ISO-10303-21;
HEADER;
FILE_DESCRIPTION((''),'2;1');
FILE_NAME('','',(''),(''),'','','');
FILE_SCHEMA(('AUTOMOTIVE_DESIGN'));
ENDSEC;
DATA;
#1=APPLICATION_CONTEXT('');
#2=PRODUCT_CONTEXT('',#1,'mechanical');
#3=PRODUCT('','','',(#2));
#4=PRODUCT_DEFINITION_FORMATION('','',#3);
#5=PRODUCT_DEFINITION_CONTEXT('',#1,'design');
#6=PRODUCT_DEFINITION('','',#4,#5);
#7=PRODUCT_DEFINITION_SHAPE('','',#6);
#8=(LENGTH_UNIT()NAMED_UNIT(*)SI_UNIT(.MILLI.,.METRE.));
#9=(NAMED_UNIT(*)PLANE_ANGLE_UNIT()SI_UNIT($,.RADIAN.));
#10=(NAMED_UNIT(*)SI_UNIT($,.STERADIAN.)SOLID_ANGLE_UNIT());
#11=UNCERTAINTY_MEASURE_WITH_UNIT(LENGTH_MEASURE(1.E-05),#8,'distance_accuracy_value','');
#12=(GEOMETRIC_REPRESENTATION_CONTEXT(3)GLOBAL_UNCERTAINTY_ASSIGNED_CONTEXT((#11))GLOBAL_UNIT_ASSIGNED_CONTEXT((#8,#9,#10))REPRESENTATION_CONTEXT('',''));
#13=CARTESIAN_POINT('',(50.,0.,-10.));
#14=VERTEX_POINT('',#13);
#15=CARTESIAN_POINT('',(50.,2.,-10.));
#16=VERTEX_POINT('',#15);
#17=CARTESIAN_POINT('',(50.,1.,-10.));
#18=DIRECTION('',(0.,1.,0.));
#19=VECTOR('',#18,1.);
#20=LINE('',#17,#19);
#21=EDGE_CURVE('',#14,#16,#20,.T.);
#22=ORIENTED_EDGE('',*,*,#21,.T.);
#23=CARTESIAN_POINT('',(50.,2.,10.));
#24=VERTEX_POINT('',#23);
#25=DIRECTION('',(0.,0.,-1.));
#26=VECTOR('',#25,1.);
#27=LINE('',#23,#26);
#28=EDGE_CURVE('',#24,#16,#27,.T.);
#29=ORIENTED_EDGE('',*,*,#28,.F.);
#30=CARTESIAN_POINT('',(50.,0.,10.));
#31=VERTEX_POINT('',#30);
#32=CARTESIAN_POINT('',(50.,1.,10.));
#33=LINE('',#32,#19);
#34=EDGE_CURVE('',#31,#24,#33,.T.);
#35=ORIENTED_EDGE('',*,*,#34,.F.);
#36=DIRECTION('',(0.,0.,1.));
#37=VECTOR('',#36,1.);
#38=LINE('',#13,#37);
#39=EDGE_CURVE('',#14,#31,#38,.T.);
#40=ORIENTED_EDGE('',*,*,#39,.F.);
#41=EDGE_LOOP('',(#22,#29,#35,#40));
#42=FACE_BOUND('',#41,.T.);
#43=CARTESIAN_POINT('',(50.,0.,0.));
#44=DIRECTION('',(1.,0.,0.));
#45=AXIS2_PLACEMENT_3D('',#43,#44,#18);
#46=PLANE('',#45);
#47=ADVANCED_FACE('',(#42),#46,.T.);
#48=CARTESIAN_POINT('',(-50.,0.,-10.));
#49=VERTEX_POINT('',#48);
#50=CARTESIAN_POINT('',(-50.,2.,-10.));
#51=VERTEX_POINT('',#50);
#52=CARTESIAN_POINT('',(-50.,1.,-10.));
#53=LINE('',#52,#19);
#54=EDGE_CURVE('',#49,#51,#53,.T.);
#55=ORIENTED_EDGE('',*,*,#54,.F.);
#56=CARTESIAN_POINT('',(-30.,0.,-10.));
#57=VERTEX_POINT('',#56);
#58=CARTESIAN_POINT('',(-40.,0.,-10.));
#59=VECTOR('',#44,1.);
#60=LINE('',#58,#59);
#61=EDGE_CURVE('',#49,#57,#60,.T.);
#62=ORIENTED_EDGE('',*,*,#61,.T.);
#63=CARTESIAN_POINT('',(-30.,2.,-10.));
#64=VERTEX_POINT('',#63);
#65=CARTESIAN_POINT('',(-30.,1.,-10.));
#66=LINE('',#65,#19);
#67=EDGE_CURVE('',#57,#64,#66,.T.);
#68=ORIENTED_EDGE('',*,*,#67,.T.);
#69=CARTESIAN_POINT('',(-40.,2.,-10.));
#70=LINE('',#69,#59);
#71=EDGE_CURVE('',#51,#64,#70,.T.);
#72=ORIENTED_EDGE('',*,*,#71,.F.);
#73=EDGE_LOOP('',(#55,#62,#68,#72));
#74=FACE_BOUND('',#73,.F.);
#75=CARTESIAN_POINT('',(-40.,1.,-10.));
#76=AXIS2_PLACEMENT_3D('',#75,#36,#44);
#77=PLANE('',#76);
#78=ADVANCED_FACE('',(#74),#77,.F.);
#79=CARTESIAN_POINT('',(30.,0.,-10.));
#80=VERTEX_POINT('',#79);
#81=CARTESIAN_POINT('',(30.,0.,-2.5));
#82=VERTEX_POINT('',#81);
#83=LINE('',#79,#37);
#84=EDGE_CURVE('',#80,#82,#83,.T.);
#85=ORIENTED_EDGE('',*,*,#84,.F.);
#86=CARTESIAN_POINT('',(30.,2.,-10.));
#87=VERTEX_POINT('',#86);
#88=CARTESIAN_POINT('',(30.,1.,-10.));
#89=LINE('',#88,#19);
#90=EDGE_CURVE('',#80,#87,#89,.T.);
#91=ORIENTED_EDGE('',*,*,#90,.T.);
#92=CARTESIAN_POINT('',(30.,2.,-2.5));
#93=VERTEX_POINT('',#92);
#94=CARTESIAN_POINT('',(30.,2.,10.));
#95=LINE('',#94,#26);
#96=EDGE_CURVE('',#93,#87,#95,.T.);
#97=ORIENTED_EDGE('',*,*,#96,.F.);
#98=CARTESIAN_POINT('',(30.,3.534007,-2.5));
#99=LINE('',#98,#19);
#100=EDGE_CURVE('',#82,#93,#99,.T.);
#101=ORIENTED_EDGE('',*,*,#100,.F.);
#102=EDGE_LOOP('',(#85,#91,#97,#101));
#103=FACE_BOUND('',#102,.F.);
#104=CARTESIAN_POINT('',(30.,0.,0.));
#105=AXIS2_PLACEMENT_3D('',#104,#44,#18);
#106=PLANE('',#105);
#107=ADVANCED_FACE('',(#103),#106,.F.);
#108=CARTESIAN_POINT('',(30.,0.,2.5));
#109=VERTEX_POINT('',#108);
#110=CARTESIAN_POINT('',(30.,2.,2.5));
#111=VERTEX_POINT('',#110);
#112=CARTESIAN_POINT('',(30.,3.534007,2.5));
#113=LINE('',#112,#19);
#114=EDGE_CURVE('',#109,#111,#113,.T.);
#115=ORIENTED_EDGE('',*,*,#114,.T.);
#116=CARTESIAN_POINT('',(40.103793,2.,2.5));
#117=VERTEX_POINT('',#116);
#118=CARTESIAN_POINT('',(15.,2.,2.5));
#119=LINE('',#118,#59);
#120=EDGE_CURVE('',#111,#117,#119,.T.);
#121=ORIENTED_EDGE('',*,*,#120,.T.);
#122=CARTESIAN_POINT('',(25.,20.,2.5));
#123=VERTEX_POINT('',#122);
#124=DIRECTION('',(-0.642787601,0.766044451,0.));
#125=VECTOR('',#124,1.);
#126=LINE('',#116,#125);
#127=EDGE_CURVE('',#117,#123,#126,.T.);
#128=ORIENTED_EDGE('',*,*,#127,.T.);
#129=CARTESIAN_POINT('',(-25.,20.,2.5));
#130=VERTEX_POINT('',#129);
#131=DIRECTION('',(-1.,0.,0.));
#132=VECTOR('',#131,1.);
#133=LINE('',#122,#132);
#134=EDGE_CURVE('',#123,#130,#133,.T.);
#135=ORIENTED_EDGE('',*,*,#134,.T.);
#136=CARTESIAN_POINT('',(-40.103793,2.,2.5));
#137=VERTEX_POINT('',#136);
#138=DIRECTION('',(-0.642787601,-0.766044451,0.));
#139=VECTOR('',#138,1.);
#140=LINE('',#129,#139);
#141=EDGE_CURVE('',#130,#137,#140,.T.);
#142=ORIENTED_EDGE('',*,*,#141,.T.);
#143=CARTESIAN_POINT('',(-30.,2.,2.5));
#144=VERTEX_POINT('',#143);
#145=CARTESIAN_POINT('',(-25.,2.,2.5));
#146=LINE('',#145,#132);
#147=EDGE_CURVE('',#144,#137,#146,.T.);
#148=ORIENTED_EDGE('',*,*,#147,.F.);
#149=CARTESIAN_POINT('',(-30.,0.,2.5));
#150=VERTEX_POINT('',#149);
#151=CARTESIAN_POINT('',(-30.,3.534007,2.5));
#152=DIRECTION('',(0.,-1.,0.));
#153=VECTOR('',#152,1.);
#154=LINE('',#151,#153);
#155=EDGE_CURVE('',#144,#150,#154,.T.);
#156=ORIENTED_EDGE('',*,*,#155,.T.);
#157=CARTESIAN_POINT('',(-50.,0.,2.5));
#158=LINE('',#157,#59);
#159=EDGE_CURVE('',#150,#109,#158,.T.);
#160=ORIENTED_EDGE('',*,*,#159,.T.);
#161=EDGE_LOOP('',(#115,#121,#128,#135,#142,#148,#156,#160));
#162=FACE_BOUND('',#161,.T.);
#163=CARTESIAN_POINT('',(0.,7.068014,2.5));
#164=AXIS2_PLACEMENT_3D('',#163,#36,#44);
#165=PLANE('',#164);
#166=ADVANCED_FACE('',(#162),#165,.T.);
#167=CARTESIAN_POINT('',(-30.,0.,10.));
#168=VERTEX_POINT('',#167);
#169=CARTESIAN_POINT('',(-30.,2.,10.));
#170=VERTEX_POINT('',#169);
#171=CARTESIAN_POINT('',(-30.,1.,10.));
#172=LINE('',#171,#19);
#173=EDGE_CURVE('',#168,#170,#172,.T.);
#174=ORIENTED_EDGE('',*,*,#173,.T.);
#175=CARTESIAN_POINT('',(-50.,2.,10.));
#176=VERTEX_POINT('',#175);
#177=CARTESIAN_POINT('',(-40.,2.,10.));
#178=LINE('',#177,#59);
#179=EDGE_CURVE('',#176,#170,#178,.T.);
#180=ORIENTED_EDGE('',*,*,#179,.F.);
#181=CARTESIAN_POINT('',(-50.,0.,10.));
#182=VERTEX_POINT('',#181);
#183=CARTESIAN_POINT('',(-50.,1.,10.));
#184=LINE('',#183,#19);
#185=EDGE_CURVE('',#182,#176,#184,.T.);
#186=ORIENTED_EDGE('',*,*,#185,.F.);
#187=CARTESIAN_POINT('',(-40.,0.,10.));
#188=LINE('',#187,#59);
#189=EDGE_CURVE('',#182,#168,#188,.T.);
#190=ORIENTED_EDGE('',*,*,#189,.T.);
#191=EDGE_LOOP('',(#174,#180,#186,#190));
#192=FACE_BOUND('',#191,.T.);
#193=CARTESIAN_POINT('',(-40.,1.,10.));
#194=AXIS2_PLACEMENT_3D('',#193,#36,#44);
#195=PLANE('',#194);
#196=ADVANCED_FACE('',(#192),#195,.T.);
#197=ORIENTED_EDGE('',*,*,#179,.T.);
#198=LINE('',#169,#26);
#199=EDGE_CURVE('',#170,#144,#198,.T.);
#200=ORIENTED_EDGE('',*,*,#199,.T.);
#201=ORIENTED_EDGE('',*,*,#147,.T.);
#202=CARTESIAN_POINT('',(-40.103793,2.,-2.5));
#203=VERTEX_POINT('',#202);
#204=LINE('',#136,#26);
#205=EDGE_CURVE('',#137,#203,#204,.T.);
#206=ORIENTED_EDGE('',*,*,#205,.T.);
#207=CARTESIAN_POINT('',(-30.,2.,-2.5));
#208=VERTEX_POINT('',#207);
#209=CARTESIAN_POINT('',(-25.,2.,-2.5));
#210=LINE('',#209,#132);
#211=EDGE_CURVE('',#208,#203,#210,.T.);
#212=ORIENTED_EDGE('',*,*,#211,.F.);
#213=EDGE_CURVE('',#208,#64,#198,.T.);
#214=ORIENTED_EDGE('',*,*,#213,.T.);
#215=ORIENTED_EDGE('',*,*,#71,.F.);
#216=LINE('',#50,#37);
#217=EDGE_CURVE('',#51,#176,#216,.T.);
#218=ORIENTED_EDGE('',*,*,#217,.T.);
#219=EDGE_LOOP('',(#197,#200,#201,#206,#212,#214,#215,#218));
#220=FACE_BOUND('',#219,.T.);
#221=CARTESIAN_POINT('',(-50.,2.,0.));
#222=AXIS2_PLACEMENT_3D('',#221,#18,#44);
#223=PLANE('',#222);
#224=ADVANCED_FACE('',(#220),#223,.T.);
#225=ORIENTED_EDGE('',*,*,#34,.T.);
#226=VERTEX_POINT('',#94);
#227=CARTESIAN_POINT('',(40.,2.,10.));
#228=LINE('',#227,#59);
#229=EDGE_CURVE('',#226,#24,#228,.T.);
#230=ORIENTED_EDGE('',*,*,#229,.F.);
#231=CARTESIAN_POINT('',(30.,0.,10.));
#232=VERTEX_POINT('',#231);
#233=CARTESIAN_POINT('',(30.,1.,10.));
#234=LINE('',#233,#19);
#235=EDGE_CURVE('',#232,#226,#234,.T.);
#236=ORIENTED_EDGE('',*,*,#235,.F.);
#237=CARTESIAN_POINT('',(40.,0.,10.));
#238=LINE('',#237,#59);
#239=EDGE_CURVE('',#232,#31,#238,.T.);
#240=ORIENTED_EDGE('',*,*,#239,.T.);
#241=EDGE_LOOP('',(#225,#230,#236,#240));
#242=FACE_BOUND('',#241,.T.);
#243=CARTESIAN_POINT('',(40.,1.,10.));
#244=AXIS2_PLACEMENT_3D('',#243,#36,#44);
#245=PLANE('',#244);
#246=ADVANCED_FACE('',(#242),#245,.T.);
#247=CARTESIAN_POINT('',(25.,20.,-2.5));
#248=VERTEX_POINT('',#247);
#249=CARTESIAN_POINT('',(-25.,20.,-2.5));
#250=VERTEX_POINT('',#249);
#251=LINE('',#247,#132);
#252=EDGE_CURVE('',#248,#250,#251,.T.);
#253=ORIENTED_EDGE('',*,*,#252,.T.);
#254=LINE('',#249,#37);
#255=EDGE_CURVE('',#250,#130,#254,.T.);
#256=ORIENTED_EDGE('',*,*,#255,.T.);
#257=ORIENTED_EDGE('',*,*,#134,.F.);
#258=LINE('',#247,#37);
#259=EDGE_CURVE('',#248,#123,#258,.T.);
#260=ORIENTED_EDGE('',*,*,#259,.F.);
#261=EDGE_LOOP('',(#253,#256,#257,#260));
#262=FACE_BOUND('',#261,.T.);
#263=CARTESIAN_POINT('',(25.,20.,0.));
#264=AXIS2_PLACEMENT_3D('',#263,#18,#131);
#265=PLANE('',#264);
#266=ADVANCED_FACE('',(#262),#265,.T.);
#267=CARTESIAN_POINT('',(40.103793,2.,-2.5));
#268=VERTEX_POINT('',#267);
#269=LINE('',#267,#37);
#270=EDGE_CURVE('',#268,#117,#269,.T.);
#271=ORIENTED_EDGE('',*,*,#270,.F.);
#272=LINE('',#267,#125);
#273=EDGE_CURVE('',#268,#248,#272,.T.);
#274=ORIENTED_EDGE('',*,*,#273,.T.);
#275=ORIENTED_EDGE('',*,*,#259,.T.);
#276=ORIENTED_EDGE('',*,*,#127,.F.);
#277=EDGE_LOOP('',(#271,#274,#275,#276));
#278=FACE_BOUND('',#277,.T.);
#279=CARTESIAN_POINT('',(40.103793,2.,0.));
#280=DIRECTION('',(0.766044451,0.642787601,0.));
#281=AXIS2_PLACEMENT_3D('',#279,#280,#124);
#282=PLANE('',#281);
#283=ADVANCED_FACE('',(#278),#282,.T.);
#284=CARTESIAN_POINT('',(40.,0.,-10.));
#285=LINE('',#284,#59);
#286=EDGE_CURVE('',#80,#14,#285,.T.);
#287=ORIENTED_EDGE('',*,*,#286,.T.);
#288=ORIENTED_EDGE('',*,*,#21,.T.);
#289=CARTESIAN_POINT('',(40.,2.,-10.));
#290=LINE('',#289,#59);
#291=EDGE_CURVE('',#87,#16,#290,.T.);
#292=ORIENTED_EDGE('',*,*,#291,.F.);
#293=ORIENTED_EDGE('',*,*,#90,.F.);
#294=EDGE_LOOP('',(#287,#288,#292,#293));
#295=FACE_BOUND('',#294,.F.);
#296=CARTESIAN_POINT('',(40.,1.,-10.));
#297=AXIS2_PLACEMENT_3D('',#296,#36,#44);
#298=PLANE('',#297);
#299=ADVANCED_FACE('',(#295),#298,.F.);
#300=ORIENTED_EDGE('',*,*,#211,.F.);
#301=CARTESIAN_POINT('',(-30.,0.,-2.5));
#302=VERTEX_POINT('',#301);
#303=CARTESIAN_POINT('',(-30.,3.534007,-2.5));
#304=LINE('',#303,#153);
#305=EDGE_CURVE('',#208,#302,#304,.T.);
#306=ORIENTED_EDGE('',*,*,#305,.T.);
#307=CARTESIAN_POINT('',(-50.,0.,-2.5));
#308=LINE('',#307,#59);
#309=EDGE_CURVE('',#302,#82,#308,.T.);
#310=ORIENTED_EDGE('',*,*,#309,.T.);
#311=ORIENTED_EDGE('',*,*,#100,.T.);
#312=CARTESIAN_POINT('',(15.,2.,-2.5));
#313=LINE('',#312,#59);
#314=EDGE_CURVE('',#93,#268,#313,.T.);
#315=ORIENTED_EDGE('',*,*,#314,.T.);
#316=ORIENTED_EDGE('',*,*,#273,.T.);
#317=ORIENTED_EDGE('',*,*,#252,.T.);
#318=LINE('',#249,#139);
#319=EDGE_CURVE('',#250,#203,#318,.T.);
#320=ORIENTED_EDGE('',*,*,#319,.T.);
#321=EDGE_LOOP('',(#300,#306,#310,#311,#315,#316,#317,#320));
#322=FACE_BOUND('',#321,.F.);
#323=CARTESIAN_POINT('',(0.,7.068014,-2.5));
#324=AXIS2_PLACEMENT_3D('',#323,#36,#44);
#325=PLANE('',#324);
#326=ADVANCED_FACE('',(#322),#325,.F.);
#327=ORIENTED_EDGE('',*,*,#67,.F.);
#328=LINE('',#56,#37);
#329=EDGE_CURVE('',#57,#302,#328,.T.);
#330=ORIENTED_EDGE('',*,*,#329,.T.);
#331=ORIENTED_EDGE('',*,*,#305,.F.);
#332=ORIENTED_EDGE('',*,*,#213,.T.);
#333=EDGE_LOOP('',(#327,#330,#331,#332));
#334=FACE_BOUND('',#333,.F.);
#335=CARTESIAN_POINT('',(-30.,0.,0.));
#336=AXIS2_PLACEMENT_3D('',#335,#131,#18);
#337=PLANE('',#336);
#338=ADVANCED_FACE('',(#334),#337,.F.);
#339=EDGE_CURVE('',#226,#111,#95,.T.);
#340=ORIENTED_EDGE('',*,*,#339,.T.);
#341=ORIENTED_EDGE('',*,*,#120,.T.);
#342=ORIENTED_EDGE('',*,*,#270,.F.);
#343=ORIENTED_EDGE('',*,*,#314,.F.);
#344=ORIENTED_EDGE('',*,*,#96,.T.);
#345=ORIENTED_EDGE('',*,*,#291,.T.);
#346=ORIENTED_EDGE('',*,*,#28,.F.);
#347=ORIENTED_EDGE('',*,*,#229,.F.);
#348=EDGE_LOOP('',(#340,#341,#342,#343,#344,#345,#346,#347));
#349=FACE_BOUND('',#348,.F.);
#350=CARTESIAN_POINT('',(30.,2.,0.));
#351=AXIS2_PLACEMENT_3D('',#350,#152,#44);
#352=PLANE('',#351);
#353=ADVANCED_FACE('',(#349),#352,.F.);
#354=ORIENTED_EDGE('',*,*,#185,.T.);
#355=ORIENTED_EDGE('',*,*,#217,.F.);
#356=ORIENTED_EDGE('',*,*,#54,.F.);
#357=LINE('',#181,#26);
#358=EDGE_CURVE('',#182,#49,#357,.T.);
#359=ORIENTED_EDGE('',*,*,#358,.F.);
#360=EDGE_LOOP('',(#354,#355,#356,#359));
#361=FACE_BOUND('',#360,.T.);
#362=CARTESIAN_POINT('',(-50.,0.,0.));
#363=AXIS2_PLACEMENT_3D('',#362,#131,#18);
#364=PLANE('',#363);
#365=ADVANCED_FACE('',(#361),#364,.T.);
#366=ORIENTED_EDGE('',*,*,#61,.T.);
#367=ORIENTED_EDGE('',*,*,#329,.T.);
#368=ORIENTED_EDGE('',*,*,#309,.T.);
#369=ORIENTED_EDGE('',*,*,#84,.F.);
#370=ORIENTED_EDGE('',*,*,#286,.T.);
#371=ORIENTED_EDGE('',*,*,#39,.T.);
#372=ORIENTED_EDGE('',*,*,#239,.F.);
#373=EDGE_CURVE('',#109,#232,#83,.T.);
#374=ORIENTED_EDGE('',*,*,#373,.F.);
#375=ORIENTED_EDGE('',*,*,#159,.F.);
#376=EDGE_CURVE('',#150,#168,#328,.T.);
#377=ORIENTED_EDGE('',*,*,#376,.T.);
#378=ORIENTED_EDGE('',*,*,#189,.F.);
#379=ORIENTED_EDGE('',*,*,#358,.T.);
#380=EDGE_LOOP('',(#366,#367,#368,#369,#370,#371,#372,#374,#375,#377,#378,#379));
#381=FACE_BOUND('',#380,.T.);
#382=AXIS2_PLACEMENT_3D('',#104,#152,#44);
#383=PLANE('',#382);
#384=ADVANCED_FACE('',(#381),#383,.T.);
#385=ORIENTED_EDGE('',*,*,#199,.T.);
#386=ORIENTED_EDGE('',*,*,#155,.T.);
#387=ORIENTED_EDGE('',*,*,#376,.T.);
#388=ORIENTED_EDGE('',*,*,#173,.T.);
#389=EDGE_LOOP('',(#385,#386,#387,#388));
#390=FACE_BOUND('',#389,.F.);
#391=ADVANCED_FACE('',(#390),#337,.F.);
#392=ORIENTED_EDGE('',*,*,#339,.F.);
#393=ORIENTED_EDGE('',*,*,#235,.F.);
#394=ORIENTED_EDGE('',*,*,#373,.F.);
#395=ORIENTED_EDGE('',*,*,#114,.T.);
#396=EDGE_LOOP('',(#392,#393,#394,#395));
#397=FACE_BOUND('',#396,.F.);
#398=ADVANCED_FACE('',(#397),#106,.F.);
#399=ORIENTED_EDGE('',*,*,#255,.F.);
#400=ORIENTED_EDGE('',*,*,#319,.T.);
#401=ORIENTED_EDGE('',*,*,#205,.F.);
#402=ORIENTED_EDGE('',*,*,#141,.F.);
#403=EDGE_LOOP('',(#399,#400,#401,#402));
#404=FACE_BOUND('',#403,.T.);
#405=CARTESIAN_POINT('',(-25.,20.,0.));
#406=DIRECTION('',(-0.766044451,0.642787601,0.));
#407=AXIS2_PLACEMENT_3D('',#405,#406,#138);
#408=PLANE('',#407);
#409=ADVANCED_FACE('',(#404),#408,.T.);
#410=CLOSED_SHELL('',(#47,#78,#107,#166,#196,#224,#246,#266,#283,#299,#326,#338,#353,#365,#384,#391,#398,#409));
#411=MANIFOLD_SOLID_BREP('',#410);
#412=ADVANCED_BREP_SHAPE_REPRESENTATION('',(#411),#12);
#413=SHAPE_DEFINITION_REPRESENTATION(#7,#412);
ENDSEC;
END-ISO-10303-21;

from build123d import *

# Parameters (mm, degrees)
PAD_DEPTH    = 2.5
SKETCH001_W  = 20
SKETCH001_H  = 2
PAD001_DEPTH = 10


with BuildPart() as part:
    # Sketch → Pad (new body, symmetric)
    with BuildSketch(Plane.XY):
        Polygon((-50, 0), (50, 0), (50, 2), (40.103793, 2), (25, 20), (-25, 20), (-40.103793, 2), (-50, 2), align=None)
    extrude(amount=PAD_DEPTH, both=True)

    # Sketch001 → Pad001 (join, symmetric)
    with BuildSketch(Plane.XY):
        with Locations((-40, 1)):
            Rectangle(SKETCH001_W, SKETCH001_H)
        with Locations((40, 1)):
            Rectangle(SKETCH001_W, SKETCH001_H)
    extrude(amount=PAD001_DEPTH, both=True)


solid = part.part
